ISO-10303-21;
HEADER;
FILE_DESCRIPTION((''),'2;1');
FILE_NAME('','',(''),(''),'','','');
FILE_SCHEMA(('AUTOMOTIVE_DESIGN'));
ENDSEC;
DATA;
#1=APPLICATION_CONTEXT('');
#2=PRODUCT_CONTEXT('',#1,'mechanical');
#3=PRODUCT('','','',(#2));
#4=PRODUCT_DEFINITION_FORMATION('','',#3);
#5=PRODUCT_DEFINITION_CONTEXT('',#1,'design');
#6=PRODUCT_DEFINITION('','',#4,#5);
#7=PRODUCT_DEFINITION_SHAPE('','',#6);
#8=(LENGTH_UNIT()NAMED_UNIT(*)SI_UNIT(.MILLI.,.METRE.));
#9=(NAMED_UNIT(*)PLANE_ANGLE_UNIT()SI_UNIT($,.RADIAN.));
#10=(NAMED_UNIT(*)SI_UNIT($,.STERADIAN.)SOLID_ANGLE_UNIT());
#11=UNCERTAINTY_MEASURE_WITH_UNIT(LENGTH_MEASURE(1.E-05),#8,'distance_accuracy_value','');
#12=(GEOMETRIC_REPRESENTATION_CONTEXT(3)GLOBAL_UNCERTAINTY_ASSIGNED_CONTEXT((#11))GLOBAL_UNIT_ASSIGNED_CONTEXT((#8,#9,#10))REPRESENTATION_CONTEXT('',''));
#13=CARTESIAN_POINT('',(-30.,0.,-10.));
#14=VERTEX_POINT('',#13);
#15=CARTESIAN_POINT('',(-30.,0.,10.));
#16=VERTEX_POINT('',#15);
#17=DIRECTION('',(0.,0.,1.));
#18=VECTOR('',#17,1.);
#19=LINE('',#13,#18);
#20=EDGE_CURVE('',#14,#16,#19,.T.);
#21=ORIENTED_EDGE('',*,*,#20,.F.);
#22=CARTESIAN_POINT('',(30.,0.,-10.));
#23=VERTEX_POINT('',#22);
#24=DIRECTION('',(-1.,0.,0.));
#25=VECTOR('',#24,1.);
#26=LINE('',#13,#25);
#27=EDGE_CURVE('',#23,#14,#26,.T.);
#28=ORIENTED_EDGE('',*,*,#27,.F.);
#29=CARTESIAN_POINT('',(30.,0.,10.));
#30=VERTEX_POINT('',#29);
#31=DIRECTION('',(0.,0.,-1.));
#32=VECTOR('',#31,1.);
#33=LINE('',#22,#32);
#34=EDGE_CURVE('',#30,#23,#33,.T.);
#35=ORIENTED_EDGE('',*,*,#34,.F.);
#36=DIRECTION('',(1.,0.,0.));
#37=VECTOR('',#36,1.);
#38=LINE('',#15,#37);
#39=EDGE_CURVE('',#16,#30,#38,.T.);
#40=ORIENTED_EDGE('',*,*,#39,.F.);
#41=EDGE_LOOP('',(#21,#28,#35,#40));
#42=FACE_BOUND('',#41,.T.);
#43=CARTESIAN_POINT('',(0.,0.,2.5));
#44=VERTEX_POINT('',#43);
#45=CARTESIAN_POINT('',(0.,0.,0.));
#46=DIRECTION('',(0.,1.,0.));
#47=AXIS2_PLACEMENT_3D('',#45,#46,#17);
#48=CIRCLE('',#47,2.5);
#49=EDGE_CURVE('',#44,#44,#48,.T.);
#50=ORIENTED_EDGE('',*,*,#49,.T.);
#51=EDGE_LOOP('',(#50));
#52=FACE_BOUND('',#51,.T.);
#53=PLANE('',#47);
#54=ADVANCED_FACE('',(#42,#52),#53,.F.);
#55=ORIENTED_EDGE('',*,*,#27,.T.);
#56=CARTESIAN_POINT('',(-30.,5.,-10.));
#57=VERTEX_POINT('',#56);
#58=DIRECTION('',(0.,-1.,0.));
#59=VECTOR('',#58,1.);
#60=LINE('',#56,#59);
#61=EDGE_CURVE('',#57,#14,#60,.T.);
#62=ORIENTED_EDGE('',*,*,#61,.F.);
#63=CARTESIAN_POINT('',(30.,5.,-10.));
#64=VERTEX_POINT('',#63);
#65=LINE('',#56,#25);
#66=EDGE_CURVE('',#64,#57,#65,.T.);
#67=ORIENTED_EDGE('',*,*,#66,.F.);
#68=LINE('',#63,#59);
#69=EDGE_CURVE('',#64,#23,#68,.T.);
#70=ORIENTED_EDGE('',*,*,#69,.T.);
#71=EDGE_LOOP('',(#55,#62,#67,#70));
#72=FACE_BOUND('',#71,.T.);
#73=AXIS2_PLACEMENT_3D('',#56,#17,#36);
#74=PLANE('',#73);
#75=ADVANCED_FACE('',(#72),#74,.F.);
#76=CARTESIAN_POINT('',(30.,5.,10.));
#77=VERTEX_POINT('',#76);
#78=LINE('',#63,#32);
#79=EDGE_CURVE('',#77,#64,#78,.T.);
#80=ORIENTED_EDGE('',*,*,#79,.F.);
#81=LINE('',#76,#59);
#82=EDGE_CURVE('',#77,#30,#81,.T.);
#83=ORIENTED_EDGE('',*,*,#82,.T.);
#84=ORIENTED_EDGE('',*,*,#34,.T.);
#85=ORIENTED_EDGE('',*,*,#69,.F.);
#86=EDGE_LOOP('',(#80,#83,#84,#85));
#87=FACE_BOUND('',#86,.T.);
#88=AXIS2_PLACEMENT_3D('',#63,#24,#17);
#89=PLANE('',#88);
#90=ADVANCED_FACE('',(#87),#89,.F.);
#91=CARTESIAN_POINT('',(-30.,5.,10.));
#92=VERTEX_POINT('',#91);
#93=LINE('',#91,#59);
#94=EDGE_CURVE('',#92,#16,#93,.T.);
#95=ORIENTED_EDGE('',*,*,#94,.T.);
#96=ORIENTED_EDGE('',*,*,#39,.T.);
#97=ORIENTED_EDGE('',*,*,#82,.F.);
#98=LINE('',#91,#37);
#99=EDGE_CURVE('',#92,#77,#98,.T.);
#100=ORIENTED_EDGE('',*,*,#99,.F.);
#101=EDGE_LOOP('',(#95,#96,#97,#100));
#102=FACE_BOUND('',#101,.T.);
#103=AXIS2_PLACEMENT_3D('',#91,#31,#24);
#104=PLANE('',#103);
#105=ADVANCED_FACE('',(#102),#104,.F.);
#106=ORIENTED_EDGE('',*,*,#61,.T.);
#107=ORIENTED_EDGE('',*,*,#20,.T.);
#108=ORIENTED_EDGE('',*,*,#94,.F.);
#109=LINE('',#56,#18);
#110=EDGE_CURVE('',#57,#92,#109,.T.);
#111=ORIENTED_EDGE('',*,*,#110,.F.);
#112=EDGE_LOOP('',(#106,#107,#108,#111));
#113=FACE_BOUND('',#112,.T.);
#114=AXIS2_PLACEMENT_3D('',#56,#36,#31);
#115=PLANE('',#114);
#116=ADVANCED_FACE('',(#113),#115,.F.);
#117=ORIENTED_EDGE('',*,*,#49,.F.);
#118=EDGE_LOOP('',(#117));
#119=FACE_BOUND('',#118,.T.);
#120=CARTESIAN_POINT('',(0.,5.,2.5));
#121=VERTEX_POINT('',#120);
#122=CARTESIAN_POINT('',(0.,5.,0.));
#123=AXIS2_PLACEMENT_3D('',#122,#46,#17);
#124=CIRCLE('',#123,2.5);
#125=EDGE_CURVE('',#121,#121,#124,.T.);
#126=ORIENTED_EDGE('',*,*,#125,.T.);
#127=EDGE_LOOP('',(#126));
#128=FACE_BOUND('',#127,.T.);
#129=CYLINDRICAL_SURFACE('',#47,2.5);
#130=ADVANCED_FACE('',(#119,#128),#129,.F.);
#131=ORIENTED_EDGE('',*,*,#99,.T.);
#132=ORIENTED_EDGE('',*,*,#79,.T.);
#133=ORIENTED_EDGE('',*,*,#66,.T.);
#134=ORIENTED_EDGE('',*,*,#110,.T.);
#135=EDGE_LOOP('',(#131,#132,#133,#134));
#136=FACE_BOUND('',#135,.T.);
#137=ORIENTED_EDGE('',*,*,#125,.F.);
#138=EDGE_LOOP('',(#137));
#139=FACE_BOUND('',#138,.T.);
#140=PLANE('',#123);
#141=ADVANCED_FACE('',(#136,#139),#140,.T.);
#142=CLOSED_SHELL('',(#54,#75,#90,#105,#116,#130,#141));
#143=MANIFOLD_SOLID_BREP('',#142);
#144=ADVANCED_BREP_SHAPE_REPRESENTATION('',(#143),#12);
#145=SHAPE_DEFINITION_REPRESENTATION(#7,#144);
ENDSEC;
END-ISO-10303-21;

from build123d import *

# Parameters (mm, degrees)
SKETCH1_W           = 60
SKETCH1_H           = 20
BOSS_EXTRUDE1_DEPTH = 5
SKETCH2_R           = 2.5
CUT_EXTRUDE1_DEPTH  = 33.015621187


with BuildPart() as part:
    # Sketch1 → Boss-Extrude1 (new body)
    with BuildSketch(Plane(origin=(0, 0, 0), x_dir=(1, 0, 0), z_dir=(0, 1, 0))):
        Rectangle(SKETCH1_W, SKETCH1_H)
    extrude(amount=BOSS_EXTRUDE1_DEPTH)

    # Sketch2 → Cut-Extrude1 (cut, through all)
    with BuildSketch(Plane(origin=(0, 5, 0), x_dir=(1, 0, 0), z_dir=(0, 1, 0))):
        with Locations(Location((0, 0, 0), (0, 0, 270))):
            Circle(SKETCH2_R)
    extrude(amount=-CUT_EXTRUDE1_DEPTH, mode=Mode.SUBTRACT)


solid = part.part
